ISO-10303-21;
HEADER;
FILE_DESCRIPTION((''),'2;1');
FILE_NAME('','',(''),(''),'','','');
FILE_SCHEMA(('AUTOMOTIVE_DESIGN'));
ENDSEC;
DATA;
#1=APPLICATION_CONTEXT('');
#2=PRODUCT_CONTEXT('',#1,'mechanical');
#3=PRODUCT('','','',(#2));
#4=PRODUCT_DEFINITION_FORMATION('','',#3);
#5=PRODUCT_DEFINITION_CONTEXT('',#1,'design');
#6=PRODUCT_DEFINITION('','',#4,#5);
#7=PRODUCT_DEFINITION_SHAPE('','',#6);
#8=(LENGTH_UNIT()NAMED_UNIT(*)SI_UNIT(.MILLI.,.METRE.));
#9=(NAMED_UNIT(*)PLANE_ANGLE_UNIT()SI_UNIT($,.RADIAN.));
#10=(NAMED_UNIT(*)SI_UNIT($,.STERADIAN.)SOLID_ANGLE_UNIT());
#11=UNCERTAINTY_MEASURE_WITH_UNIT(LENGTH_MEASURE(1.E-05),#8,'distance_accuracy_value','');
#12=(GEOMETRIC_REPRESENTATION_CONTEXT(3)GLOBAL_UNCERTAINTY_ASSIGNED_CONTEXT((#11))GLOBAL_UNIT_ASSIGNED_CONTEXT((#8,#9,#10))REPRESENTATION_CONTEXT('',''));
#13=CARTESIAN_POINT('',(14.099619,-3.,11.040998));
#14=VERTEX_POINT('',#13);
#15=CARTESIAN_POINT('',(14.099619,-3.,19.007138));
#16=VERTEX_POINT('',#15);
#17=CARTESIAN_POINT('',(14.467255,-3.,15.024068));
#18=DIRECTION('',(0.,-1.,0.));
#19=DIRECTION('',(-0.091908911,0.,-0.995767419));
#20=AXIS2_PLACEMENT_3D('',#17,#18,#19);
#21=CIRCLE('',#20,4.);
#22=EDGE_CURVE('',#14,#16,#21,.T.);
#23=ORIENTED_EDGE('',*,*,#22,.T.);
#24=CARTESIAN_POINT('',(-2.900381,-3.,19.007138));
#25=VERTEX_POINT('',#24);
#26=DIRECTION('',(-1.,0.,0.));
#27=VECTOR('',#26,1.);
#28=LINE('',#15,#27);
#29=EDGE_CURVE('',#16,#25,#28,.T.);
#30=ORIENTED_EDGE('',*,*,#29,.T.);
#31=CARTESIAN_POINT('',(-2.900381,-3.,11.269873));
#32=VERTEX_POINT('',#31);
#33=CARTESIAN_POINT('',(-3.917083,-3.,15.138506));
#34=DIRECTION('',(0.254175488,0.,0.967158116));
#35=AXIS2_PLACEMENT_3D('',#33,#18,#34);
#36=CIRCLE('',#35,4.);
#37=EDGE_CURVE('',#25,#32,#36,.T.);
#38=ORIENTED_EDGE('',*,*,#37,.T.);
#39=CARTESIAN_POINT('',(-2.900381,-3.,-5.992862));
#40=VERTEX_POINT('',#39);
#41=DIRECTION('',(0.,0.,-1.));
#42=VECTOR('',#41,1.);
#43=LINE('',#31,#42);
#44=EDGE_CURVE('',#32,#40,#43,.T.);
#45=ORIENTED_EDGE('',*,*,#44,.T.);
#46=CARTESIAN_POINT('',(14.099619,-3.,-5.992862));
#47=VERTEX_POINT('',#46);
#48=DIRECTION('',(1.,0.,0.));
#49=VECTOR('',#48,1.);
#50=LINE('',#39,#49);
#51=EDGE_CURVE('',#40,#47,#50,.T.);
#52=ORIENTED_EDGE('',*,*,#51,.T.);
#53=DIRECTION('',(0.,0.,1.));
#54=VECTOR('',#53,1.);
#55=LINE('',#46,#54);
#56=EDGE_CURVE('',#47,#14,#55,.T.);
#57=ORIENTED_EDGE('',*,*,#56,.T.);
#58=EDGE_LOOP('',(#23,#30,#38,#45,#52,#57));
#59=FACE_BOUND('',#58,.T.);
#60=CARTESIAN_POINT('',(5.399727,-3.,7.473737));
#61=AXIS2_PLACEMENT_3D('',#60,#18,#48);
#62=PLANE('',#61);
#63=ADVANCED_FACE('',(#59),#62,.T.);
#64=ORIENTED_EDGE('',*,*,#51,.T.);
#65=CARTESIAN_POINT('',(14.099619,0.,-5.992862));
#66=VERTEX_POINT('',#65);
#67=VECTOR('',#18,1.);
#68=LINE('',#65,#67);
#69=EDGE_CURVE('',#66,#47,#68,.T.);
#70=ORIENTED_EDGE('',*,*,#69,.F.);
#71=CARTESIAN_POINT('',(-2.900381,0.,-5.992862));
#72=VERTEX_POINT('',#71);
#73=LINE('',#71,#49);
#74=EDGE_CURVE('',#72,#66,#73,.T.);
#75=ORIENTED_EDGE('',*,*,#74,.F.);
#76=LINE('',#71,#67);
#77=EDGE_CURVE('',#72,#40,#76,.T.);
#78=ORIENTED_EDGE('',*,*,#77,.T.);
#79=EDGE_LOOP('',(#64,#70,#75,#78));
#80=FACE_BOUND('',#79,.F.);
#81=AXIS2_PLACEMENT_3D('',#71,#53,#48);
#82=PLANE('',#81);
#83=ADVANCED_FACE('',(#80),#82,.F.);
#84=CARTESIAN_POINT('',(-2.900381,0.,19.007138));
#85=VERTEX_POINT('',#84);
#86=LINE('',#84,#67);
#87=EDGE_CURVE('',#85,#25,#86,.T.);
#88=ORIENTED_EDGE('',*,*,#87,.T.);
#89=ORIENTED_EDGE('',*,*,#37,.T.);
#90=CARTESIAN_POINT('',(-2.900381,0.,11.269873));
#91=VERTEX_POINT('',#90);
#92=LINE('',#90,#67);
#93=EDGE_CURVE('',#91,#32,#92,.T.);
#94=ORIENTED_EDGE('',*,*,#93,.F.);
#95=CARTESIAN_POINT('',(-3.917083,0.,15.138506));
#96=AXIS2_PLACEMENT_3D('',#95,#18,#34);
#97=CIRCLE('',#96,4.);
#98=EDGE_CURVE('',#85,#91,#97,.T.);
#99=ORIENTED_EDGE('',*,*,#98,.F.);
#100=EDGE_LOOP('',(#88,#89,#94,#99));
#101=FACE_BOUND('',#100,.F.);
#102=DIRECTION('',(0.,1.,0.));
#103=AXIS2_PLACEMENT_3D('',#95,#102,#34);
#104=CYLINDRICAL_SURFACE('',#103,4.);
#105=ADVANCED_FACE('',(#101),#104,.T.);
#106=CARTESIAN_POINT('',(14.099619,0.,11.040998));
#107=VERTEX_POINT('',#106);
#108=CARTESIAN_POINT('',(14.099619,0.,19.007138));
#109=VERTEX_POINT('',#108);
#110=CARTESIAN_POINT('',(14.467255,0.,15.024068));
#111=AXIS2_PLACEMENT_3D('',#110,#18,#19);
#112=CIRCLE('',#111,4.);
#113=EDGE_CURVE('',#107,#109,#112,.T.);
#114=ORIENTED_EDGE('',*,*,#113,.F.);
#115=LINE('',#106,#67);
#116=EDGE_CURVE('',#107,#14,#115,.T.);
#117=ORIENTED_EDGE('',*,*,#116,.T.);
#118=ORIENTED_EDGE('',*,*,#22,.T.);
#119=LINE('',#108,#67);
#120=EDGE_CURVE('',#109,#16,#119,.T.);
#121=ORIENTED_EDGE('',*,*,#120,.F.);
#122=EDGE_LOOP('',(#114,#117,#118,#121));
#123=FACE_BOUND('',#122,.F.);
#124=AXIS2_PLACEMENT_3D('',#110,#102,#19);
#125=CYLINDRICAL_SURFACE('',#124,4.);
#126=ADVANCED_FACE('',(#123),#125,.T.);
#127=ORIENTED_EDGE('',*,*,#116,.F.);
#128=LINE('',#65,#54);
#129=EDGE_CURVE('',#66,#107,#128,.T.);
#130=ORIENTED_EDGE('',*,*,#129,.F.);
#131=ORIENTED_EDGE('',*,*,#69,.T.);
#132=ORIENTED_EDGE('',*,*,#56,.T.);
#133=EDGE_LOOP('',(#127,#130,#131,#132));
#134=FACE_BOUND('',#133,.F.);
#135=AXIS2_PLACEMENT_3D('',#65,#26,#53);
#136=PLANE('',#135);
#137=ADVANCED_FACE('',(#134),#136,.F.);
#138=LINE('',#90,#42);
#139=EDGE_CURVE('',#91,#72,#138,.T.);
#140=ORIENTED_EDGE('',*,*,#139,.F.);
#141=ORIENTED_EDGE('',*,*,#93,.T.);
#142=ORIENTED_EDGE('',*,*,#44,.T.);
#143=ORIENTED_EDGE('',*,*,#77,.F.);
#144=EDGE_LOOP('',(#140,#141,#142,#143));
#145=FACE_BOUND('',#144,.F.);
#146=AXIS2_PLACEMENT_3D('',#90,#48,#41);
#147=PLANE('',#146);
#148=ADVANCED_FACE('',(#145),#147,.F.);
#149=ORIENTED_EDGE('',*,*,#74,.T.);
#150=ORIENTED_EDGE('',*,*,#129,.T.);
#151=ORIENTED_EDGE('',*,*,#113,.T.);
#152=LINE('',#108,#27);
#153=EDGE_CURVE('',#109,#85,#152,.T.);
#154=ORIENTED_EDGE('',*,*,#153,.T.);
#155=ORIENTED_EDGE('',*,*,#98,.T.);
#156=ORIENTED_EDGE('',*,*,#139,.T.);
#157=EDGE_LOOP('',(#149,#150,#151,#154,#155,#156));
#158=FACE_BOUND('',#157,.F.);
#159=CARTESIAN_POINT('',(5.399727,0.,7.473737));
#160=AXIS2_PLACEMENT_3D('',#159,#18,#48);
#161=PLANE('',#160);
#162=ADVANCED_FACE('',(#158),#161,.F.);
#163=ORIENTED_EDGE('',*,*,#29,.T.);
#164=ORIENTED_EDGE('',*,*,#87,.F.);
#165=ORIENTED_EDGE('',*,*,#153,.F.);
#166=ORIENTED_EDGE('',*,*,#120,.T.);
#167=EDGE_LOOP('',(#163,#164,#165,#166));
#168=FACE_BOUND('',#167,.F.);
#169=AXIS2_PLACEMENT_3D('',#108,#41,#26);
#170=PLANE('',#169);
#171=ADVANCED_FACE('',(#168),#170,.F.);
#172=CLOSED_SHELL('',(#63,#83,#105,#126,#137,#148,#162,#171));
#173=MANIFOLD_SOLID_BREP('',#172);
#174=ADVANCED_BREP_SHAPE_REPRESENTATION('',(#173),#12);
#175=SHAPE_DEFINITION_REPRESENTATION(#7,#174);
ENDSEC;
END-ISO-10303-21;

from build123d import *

# Parameters (mm, degrees)
F1_DEPTH = 3


with BuildPart() as f1:
    # F0 (on Front) → F1 (new body)
    with BuildSketch(Plane.XZ):
        with BuildLine():
            ThreePointArc((-2.900381, 19.007138), (-7.917083, 15.138505), (-2.900381, 11.269873))
            Line((-2.900381, 11.269873), (-2.900381, -5.992862))
            Line((-2.900381, -5.992862), (14.099619, -5.992862))
            Line((14.099619, -5.992862), (14.099619, 11.040998))
            ThreePointArc((14.099619, 11.040998), (18.467255, 15.024068), (14.099619, 19.007138))
            Line((14.099619, 19.007138), (-2.900381, 19.007138))
        make_face()
    extrude(amount=F1_DEPTH)


solid = f1.part
